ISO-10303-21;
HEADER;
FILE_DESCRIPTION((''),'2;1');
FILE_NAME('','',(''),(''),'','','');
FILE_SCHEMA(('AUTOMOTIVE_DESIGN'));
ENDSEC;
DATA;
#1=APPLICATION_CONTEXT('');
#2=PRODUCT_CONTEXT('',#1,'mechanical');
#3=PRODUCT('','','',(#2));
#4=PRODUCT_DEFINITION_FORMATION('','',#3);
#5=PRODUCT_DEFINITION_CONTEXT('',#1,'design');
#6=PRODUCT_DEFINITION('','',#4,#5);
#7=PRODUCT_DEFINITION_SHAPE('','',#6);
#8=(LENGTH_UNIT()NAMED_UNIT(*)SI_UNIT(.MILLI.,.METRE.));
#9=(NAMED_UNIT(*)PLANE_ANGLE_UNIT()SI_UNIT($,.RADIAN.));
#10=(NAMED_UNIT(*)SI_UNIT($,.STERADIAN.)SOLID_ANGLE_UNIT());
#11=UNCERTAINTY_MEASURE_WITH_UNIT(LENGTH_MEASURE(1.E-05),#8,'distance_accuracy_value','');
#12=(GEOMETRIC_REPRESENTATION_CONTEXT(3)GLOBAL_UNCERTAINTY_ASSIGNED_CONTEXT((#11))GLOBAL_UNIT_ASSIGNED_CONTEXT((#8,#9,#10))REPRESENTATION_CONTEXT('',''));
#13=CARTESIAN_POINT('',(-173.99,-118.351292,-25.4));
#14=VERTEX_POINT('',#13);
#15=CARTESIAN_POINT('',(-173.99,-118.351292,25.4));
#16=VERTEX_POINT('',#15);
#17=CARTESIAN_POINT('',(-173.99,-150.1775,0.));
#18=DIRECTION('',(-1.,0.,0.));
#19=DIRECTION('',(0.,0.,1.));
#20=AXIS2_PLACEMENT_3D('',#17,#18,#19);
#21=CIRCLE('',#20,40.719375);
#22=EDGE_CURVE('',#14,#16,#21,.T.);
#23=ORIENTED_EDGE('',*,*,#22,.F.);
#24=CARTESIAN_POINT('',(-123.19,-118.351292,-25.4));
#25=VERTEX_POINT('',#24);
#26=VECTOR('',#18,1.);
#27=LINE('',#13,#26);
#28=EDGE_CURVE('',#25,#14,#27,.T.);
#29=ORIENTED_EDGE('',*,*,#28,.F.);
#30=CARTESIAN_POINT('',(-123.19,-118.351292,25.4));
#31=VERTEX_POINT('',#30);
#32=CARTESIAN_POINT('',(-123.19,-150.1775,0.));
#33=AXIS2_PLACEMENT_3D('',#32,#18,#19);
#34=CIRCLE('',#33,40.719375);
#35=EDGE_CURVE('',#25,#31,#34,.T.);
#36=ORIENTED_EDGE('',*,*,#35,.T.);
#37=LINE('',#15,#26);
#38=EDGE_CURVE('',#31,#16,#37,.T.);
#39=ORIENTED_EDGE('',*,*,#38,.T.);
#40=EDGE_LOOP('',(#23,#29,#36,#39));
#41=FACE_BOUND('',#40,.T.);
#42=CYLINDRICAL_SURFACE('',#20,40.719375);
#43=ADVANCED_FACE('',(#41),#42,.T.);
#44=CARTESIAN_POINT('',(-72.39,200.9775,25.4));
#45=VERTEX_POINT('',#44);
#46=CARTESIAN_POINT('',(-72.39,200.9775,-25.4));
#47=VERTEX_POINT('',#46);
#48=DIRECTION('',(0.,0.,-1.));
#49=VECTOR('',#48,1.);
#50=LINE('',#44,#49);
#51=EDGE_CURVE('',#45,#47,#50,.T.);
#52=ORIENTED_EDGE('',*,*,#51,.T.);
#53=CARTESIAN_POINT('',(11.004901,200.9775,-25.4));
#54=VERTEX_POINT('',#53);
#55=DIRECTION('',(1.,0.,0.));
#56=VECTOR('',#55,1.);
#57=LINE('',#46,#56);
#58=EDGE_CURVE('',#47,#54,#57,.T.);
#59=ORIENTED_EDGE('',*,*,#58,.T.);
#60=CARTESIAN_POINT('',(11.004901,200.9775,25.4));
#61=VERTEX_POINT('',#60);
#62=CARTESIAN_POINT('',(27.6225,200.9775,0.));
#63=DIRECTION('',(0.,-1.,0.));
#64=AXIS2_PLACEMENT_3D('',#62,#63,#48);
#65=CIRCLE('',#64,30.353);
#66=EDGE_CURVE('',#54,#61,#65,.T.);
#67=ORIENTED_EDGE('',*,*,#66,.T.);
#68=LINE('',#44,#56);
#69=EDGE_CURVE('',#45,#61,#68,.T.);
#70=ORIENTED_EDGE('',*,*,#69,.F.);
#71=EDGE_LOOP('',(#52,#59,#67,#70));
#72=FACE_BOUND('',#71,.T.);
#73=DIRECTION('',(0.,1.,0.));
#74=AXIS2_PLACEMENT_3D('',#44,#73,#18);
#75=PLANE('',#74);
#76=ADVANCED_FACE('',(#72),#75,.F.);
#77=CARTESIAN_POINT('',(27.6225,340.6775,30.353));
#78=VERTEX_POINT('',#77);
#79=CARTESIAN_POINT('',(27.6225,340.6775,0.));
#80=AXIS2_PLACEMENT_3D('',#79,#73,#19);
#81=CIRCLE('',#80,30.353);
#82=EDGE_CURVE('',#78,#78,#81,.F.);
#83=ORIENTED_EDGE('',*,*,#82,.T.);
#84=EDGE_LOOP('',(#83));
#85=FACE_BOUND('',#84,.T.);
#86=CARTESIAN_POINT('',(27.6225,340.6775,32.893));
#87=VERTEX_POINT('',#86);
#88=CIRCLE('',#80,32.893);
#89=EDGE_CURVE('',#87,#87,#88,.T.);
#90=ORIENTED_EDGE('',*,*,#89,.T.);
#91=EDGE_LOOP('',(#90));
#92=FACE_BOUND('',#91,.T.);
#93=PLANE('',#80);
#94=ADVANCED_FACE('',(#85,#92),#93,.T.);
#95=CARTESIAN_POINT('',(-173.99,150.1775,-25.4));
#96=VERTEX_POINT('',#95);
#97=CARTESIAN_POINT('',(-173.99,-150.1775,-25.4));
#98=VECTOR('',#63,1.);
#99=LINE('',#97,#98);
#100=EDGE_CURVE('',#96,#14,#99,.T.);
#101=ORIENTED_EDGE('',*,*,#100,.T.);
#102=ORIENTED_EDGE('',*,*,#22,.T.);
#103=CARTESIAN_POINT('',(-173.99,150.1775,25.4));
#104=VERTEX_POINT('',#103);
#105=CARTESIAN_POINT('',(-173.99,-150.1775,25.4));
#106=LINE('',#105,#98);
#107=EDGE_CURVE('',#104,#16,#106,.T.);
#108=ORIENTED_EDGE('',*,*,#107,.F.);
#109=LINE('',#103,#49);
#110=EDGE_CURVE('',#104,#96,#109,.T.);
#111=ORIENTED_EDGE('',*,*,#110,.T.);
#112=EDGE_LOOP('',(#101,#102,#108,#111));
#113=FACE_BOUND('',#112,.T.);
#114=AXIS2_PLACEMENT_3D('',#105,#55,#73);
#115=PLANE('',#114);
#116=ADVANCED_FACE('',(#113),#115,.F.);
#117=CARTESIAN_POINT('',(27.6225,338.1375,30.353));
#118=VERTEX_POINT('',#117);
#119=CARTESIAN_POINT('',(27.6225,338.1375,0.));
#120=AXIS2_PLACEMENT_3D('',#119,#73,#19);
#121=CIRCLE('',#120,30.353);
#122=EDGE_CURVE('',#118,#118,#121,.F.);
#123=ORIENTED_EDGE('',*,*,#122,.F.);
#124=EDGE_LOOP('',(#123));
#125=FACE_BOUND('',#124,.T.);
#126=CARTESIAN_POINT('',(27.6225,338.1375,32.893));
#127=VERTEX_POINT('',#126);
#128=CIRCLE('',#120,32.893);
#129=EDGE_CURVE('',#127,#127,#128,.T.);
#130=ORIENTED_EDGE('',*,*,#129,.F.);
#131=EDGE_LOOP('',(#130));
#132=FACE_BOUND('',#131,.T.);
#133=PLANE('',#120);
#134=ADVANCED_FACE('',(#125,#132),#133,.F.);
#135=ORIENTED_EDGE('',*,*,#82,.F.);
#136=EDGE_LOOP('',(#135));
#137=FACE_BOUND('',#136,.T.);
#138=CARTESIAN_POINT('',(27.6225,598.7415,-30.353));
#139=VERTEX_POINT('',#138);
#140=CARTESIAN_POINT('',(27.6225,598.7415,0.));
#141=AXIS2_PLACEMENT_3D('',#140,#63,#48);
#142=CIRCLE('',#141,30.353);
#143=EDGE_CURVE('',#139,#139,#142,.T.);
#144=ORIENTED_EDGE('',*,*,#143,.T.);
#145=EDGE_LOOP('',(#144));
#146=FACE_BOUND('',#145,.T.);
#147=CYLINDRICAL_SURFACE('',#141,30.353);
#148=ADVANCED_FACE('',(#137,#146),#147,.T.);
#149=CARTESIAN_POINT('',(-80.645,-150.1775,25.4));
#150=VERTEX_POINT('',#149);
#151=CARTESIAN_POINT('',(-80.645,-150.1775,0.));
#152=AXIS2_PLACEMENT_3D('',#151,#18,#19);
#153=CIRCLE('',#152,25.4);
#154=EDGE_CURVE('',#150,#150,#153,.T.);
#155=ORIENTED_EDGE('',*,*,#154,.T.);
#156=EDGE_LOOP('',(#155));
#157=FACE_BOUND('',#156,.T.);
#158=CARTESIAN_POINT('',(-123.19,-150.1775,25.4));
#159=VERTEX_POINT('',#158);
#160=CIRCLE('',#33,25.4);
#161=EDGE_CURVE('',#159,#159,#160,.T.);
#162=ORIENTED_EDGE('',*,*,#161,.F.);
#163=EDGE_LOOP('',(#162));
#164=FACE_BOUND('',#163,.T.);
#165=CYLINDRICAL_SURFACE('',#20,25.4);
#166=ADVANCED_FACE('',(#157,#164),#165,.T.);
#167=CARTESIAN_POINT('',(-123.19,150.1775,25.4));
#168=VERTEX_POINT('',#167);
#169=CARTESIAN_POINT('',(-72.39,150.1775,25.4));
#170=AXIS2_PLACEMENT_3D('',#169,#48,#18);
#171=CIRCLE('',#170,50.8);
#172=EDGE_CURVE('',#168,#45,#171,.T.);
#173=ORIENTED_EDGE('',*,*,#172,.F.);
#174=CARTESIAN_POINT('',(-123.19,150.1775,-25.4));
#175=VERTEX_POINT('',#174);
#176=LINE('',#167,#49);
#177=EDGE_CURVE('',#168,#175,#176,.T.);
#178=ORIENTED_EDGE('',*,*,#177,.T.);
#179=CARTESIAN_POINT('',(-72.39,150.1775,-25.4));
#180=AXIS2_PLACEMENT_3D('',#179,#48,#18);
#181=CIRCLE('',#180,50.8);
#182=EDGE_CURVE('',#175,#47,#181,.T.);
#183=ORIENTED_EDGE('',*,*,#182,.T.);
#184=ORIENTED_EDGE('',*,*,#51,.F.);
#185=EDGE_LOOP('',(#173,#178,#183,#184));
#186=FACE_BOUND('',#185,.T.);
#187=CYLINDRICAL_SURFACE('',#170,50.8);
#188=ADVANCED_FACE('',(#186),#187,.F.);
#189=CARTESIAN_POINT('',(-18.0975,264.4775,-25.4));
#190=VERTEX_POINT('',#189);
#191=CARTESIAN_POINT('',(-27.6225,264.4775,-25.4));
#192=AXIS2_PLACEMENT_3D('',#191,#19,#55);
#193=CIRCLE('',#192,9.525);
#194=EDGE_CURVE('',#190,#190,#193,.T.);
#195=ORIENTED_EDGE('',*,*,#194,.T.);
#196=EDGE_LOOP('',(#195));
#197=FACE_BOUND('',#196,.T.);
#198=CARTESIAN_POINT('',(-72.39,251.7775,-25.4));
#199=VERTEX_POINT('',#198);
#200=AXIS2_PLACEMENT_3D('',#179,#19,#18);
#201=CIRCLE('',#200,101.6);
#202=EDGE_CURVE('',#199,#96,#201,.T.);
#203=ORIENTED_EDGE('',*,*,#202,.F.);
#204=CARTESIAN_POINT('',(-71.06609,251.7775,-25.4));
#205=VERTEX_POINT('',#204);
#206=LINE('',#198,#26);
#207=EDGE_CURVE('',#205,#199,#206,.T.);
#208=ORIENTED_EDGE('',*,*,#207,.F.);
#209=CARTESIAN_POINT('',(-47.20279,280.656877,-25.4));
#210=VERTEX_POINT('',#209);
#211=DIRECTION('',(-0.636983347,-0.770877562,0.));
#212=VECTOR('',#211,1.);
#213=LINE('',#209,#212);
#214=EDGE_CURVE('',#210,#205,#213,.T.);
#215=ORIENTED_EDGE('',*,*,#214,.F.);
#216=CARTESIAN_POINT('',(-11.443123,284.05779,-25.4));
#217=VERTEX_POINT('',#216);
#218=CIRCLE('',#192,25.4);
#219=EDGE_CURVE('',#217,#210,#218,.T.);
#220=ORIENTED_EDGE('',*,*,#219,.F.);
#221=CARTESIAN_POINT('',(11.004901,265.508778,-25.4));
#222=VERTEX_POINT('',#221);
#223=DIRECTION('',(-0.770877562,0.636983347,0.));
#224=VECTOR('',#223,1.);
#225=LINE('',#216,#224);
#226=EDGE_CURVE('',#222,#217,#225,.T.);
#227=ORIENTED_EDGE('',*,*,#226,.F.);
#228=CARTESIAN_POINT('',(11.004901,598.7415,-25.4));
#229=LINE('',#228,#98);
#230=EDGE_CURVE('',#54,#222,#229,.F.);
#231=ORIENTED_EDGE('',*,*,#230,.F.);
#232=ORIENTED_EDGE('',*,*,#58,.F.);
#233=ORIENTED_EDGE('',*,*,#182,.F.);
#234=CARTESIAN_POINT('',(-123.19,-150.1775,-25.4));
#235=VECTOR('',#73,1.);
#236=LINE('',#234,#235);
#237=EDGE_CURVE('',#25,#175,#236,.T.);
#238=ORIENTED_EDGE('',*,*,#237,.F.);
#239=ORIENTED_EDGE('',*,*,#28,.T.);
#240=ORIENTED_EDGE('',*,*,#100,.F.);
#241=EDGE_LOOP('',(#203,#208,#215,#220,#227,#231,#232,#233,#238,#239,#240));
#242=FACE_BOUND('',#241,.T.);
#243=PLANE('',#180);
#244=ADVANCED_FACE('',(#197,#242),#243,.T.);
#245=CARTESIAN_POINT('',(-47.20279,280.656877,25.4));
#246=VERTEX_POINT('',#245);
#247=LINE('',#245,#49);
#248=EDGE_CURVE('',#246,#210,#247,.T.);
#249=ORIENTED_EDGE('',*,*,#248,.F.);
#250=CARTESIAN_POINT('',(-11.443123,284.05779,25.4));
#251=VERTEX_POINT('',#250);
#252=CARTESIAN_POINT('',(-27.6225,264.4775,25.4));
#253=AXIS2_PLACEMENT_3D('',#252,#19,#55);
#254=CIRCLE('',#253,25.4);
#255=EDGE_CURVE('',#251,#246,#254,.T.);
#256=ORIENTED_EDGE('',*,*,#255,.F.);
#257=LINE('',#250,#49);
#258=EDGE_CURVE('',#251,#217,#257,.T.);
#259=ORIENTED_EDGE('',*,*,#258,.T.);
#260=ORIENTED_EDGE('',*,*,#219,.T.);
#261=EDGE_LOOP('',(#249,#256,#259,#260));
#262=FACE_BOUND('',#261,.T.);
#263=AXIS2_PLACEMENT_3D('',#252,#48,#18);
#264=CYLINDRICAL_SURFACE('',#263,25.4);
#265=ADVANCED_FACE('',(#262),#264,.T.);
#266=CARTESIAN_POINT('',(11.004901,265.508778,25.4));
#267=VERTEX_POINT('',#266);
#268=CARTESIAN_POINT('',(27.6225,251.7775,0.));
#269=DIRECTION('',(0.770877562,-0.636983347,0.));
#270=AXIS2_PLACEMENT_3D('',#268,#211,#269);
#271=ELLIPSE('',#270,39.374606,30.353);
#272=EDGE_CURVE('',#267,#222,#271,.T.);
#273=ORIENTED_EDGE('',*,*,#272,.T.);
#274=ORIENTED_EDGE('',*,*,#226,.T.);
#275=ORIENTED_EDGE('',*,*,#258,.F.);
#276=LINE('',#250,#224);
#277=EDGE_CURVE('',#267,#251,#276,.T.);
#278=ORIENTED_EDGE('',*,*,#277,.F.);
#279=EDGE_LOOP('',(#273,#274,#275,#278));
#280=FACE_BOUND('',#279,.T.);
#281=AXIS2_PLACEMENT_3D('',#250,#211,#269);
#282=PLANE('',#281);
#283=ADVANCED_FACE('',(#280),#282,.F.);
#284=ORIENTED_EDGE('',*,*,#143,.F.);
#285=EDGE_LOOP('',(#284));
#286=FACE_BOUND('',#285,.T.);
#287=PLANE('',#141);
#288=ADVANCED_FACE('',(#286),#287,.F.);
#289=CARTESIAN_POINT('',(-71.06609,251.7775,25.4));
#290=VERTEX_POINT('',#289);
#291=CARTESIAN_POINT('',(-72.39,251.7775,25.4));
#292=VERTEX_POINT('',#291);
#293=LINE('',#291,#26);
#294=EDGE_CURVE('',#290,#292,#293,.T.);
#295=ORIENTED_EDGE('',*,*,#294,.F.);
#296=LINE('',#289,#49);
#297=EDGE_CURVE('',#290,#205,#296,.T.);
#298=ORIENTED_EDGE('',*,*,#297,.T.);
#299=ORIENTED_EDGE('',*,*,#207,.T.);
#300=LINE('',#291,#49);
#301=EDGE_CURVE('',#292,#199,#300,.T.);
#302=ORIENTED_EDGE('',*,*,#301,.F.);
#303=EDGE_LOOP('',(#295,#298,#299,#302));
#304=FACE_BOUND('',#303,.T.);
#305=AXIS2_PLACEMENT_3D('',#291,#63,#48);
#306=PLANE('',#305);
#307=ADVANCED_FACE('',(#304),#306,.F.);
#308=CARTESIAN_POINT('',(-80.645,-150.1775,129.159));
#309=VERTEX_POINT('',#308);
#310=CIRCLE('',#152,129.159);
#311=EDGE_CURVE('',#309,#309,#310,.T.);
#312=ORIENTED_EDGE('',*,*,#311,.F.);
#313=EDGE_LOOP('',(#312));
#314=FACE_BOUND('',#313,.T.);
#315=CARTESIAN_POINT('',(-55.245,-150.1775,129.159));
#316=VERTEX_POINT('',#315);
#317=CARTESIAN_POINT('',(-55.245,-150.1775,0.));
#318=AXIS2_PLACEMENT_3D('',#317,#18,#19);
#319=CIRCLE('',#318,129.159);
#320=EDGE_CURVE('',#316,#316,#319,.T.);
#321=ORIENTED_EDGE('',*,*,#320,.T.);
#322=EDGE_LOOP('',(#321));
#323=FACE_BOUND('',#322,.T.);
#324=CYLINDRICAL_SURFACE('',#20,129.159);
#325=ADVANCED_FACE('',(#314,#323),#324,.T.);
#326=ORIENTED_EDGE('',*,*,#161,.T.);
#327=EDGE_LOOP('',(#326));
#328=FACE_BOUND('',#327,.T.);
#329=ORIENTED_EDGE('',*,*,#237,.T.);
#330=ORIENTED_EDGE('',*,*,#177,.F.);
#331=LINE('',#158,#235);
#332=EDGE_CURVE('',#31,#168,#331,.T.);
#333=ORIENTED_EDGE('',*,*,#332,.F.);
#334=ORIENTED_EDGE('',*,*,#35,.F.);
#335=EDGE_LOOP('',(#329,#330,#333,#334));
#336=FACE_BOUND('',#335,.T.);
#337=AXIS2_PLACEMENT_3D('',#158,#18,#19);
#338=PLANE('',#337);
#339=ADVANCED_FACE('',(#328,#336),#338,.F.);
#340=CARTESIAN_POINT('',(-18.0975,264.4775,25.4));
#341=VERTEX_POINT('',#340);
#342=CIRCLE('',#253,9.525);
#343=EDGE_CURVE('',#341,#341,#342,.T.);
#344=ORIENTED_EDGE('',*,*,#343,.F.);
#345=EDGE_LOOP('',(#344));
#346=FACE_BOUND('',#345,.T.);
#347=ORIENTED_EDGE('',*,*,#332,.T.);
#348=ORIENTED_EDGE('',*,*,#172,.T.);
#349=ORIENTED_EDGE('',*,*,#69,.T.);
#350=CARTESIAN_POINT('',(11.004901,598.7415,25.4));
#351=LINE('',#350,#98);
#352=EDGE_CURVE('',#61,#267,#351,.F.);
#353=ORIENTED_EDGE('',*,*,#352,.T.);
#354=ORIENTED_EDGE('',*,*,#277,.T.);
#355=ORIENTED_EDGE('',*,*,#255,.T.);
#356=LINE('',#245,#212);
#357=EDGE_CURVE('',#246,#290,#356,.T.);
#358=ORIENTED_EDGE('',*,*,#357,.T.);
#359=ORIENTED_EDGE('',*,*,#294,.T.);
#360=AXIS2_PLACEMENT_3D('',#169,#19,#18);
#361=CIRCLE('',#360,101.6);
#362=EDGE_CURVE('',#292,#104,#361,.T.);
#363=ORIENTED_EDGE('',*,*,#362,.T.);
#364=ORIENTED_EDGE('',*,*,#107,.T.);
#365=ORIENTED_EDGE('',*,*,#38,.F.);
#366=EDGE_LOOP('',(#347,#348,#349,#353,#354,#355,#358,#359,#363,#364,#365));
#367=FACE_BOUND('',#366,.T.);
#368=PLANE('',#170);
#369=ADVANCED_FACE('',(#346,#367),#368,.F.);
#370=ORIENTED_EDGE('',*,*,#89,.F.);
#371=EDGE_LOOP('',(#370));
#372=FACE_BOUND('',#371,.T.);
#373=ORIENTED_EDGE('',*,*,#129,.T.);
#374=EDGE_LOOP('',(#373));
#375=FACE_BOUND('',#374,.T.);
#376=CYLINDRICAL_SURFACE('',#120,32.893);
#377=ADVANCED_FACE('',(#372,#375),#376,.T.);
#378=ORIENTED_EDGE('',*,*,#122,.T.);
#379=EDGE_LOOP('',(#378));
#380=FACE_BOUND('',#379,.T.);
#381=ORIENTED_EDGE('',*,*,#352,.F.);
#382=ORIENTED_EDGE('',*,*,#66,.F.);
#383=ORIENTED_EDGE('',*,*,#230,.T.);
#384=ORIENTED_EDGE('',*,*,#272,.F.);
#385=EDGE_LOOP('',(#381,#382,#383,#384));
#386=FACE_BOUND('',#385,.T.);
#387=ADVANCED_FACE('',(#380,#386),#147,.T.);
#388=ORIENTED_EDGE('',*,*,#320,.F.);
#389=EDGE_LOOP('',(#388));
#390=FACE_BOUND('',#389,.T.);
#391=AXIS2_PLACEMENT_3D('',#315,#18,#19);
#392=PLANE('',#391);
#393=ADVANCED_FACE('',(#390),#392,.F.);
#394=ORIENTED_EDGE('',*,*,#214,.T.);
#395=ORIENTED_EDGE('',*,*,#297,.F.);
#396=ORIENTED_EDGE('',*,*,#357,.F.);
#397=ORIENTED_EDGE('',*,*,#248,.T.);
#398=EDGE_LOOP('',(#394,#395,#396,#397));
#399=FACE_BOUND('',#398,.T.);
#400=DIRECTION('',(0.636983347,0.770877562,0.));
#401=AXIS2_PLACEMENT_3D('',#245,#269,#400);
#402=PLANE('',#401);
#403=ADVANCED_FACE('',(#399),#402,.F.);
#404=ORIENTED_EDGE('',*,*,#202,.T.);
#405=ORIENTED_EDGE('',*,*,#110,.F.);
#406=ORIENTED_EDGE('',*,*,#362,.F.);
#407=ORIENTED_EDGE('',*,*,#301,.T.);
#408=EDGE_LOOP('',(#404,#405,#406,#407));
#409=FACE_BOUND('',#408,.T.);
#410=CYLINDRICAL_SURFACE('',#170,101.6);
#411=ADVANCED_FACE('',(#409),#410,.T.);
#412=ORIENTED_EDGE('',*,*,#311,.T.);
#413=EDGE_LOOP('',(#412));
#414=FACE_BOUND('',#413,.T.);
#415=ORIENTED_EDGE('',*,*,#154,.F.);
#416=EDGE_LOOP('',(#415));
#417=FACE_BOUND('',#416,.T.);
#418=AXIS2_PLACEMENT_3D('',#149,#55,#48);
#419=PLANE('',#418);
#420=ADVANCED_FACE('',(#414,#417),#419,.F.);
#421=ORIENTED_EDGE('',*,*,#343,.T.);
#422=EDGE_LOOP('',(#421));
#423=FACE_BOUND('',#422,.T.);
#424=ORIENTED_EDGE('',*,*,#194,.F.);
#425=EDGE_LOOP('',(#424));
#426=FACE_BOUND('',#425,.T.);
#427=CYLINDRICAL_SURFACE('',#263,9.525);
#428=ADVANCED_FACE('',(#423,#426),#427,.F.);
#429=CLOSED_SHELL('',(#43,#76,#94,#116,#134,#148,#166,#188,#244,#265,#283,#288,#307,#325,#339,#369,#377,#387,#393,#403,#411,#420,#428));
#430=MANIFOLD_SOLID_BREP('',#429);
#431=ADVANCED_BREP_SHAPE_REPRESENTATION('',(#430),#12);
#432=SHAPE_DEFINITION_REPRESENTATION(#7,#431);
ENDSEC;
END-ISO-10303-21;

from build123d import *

# Parameters (mm, degrees)
SKETCH1_R           = 9.525
BOSS_EXTRUDE1_DEPTH = 25.4
SKETCH3_R           = 30.353
BOSS_EXTRUDE2_DEPTH = 397.764
SKETCH4_R           = 32.893
BOSS_EXTRUDE3_DEPTH = 2.54


with BuildPart() as part:
    # Sketch1 → Boss-Extrude1 (new, symmetric)
    with BuildSketch(Plane.XY):
        with BuildLine():
            Line((-123.19, -150.1775), (-123.19, 150.1775))
            ThreePointArc((-123.19, 150.1775), (-108.311024484, 186.098524484), (-72.39, 200.9775))
            Line((-72.39, 200.9775), (27.6225, 200.9775))
            Line((27.6225, 200.9775), (27.6225, 251.7775))
            Line((27.6225, 251.7775), (-11.443122974, 284.057790065))
            ThreePointArc((-11.443122974, 284.057790065), (-30.027308672, 289.763403093), (-47.202790065, 280.656877026))
            Line((-47.202790065, 280.656877026), (-71.066089722, 251.7775))
            Line((-71.066089722, 251.7775), (-72.39, 251.7775))
            ThreePointArc((-72.39, 251.7775), (-144.232048969, 222.019548969), (-173.99, 150.1775))
            Line((-173.99, 150.1775), (-173.99, -150.1775))
            Line((-173.99, -150.1775), (-123.19, -150.1775))
        make_face()
        with Locations((-27.6225, 264.4775)):
            Circle(SKETCH1_R, mode=Mode.SUBTRACT)
    extrude(amount=BOSS_EXTRUDE1_DEPTH, both=True)

    # Sketch2 → Revolve1 (revolve)
    with BuildSketch(Plane.XZ.offset(150.1775)):
        Polygon((-173.99, 0), (-123.19, 0), (-55.245, 0), (-55.245, 129.159), (-80.645, 129.159), (-80.645, 25.4), (-123.19, 25.4), (-123.19, 40.719375), (-173.99, 40.719375), align=None)
    revolve(axis=Axis((-173.99, -150.1775, 0), (1, 0, 0)))

    # Sketch3 → Boss-Extrude2 (add)
    with BuildSketch(Plane.XZ.offset(-200.9775)):
        with Locations(Location((27.6225, 0, 0), (0, 0, 236.805836124))):
            Circle(SKETCH3_R)
    extrude(amount=-BOSS_EXTRUDE2_DEPTH)

    # Sketch4 → Boss-Extrude3 (add)
    with BuildSketch(Plane(origin=(0, 340.6775, 0), x_dir=(1, 0, 0), z_dir=(0, 1, 0))):
        with Locations(Location((27.6225, 0, 0), (0, 0, 270))):
            Circle(SKETCH4_R)
    extrude(amount=-BOSS_EXTRUDE3_DEPTH)


solid = part.part
